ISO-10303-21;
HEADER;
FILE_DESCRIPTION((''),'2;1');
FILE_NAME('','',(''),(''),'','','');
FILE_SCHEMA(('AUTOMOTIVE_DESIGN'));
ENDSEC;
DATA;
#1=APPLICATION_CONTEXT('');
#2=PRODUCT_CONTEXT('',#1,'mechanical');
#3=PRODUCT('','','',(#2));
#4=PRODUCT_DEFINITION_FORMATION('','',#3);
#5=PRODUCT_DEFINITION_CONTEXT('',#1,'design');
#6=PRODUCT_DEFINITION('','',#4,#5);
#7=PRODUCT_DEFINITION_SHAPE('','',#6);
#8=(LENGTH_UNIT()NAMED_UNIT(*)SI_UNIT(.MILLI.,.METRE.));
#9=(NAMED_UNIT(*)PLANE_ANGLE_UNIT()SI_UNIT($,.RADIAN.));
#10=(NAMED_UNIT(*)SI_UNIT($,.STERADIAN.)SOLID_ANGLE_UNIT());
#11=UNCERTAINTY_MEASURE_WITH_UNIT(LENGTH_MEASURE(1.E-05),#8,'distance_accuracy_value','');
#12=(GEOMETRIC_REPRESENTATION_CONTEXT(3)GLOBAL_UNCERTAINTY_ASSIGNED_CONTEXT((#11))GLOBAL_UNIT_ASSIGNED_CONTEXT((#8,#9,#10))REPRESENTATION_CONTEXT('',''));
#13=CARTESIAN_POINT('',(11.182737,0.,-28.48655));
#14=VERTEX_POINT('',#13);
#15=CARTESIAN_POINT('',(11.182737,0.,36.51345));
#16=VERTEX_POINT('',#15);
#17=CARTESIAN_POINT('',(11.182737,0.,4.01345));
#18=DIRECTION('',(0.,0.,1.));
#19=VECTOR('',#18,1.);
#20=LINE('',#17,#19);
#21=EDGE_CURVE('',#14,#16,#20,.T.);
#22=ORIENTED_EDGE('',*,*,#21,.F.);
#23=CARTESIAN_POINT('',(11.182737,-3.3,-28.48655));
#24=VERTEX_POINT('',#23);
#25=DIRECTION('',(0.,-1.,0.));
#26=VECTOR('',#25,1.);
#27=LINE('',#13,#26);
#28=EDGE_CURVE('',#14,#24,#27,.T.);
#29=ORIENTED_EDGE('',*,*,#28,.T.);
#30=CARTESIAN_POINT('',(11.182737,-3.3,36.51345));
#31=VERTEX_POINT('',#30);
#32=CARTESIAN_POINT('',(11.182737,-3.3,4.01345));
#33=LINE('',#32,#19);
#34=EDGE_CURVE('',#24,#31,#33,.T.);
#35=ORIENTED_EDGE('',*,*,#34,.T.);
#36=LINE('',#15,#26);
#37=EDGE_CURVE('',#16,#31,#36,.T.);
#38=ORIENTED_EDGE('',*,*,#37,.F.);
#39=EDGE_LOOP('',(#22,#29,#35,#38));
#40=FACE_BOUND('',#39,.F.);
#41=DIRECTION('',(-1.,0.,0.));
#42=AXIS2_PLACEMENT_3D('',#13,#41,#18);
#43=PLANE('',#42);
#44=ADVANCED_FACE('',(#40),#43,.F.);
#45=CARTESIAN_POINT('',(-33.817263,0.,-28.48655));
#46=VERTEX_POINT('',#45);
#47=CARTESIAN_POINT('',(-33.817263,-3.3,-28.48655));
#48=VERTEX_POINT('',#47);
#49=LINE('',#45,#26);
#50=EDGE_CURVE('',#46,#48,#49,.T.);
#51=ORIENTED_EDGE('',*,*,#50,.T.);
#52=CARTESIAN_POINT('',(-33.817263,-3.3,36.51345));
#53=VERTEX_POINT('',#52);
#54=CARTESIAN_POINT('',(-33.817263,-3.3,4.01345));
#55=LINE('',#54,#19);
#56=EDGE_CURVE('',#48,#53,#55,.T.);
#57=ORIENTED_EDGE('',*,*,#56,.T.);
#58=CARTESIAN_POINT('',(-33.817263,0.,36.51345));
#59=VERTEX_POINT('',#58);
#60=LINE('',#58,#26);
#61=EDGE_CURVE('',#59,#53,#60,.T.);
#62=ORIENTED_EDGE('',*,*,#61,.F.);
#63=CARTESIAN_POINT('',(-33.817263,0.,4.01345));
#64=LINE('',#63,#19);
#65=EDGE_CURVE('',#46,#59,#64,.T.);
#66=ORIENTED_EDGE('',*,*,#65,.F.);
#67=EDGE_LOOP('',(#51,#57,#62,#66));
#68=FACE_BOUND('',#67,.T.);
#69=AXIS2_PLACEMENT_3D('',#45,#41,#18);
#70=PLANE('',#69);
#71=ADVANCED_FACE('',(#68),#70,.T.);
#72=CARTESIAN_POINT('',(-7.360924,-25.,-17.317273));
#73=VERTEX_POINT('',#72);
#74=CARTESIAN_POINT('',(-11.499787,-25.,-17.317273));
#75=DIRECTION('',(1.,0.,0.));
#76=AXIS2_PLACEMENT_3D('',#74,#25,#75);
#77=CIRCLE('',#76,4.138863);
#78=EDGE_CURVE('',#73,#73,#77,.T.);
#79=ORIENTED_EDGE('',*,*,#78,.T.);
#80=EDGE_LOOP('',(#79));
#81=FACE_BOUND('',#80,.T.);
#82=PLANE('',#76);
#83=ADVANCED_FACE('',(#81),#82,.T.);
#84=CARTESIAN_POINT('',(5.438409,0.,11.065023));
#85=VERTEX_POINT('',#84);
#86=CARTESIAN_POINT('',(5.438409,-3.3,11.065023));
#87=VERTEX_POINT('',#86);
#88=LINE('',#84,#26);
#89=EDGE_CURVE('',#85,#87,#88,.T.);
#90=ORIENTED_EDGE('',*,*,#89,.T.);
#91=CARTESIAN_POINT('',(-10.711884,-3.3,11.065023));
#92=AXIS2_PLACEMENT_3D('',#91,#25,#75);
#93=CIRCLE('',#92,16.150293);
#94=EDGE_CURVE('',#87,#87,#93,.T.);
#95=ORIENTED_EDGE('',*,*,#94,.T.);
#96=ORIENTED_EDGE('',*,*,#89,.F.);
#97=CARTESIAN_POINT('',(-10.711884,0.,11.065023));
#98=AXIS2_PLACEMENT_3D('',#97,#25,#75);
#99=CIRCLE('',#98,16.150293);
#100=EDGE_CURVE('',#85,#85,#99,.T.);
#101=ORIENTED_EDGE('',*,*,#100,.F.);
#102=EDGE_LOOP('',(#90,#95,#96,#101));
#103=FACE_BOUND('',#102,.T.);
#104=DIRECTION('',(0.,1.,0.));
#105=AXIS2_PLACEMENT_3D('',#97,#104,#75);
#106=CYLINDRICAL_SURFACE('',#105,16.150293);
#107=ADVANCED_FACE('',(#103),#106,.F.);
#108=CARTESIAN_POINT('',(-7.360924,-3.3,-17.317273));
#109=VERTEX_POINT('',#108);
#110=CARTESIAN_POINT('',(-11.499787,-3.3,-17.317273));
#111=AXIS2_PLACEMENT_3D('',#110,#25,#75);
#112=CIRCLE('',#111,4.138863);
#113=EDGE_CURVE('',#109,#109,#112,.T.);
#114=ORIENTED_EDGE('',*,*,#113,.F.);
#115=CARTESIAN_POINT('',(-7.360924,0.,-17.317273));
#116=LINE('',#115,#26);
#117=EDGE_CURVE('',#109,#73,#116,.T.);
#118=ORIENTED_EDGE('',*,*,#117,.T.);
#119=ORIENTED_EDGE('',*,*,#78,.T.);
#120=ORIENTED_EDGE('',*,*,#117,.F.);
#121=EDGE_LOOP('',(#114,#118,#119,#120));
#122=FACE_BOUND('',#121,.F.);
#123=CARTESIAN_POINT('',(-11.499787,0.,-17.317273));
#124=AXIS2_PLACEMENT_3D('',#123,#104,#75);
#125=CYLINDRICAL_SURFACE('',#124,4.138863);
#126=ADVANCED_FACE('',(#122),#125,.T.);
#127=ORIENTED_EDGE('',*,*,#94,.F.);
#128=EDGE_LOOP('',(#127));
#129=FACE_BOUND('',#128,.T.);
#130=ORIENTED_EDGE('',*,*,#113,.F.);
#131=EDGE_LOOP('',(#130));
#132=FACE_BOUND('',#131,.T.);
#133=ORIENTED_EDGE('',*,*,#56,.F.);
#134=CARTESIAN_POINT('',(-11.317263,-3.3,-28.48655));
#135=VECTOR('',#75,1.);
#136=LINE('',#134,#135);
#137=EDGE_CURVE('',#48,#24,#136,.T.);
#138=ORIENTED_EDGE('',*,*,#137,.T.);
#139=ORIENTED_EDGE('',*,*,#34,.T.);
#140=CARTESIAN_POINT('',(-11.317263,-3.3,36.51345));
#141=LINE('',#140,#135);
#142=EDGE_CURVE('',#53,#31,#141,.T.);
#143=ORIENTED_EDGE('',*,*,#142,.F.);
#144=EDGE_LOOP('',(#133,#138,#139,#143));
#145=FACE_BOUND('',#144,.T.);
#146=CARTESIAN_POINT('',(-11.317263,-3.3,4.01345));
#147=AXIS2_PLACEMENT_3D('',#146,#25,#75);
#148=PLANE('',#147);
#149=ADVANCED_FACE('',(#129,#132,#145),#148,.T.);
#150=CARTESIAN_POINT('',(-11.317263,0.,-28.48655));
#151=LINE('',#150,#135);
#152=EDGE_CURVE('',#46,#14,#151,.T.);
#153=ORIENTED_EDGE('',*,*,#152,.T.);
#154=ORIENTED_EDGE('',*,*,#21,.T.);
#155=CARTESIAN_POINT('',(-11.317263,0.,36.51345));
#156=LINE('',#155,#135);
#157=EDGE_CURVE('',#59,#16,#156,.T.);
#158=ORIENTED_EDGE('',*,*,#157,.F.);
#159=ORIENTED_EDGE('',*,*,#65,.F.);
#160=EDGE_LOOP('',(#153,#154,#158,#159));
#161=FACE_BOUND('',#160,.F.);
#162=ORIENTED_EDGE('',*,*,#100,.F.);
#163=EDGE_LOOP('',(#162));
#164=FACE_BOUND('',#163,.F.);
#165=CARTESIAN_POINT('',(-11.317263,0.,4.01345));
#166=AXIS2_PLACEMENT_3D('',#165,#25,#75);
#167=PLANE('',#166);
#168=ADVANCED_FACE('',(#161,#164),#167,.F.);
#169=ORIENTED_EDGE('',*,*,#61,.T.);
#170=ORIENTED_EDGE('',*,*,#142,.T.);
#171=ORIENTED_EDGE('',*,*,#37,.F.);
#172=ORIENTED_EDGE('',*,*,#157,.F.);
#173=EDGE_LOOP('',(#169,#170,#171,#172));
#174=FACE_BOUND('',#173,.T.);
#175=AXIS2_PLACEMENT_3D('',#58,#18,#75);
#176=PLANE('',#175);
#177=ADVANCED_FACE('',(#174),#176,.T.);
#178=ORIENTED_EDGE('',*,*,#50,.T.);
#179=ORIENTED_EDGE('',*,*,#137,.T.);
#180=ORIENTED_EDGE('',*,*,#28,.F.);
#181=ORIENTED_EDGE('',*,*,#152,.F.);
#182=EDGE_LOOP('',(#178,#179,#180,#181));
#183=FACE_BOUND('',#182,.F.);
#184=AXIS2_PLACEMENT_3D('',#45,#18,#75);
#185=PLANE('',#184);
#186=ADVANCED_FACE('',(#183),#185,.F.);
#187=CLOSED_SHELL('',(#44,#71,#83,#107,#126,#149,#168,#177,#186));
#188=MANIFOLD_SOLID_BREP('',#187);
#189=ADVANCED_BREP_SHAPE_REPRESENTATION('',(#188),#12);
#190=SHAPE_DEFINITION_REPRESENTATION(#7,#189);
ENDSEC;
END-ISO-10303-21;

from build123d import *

# Parameters (mm, degrees)
F0_R     = 4.138863
F1_DEPTH = 25
F0_W     = 45
F0_H     = 65
F0_R_2   = 16.150293
F2_DEPTH = 3.3


with BuildPart() as f1:
    # F0 (on Front) → F1 (new body)
    with BuildSketch(Plane.XZ):
        with Locations((-11.499787, -17.317273)):
            Circle(F0_R)
    extrude(amount=F1_DEPTH)

    # F0 (on Front) → F2 (join)
    with BuildSketch(Plane.XZ):
        with Locations((-11.317263, 4.01345)):
            Rectangle(F0_W, F0_H)
        with Locations((-11.499787, -17.317273)):
            Circle(F0_R, mode=Mode.SUBTRACT)
        with Locations((-10.711884, 11.065023)):
            Circle(F0_R_2, mode=Mode.SUBTRACT)
    extrude(amount=F2_DEPTH)


solid = f1.part
